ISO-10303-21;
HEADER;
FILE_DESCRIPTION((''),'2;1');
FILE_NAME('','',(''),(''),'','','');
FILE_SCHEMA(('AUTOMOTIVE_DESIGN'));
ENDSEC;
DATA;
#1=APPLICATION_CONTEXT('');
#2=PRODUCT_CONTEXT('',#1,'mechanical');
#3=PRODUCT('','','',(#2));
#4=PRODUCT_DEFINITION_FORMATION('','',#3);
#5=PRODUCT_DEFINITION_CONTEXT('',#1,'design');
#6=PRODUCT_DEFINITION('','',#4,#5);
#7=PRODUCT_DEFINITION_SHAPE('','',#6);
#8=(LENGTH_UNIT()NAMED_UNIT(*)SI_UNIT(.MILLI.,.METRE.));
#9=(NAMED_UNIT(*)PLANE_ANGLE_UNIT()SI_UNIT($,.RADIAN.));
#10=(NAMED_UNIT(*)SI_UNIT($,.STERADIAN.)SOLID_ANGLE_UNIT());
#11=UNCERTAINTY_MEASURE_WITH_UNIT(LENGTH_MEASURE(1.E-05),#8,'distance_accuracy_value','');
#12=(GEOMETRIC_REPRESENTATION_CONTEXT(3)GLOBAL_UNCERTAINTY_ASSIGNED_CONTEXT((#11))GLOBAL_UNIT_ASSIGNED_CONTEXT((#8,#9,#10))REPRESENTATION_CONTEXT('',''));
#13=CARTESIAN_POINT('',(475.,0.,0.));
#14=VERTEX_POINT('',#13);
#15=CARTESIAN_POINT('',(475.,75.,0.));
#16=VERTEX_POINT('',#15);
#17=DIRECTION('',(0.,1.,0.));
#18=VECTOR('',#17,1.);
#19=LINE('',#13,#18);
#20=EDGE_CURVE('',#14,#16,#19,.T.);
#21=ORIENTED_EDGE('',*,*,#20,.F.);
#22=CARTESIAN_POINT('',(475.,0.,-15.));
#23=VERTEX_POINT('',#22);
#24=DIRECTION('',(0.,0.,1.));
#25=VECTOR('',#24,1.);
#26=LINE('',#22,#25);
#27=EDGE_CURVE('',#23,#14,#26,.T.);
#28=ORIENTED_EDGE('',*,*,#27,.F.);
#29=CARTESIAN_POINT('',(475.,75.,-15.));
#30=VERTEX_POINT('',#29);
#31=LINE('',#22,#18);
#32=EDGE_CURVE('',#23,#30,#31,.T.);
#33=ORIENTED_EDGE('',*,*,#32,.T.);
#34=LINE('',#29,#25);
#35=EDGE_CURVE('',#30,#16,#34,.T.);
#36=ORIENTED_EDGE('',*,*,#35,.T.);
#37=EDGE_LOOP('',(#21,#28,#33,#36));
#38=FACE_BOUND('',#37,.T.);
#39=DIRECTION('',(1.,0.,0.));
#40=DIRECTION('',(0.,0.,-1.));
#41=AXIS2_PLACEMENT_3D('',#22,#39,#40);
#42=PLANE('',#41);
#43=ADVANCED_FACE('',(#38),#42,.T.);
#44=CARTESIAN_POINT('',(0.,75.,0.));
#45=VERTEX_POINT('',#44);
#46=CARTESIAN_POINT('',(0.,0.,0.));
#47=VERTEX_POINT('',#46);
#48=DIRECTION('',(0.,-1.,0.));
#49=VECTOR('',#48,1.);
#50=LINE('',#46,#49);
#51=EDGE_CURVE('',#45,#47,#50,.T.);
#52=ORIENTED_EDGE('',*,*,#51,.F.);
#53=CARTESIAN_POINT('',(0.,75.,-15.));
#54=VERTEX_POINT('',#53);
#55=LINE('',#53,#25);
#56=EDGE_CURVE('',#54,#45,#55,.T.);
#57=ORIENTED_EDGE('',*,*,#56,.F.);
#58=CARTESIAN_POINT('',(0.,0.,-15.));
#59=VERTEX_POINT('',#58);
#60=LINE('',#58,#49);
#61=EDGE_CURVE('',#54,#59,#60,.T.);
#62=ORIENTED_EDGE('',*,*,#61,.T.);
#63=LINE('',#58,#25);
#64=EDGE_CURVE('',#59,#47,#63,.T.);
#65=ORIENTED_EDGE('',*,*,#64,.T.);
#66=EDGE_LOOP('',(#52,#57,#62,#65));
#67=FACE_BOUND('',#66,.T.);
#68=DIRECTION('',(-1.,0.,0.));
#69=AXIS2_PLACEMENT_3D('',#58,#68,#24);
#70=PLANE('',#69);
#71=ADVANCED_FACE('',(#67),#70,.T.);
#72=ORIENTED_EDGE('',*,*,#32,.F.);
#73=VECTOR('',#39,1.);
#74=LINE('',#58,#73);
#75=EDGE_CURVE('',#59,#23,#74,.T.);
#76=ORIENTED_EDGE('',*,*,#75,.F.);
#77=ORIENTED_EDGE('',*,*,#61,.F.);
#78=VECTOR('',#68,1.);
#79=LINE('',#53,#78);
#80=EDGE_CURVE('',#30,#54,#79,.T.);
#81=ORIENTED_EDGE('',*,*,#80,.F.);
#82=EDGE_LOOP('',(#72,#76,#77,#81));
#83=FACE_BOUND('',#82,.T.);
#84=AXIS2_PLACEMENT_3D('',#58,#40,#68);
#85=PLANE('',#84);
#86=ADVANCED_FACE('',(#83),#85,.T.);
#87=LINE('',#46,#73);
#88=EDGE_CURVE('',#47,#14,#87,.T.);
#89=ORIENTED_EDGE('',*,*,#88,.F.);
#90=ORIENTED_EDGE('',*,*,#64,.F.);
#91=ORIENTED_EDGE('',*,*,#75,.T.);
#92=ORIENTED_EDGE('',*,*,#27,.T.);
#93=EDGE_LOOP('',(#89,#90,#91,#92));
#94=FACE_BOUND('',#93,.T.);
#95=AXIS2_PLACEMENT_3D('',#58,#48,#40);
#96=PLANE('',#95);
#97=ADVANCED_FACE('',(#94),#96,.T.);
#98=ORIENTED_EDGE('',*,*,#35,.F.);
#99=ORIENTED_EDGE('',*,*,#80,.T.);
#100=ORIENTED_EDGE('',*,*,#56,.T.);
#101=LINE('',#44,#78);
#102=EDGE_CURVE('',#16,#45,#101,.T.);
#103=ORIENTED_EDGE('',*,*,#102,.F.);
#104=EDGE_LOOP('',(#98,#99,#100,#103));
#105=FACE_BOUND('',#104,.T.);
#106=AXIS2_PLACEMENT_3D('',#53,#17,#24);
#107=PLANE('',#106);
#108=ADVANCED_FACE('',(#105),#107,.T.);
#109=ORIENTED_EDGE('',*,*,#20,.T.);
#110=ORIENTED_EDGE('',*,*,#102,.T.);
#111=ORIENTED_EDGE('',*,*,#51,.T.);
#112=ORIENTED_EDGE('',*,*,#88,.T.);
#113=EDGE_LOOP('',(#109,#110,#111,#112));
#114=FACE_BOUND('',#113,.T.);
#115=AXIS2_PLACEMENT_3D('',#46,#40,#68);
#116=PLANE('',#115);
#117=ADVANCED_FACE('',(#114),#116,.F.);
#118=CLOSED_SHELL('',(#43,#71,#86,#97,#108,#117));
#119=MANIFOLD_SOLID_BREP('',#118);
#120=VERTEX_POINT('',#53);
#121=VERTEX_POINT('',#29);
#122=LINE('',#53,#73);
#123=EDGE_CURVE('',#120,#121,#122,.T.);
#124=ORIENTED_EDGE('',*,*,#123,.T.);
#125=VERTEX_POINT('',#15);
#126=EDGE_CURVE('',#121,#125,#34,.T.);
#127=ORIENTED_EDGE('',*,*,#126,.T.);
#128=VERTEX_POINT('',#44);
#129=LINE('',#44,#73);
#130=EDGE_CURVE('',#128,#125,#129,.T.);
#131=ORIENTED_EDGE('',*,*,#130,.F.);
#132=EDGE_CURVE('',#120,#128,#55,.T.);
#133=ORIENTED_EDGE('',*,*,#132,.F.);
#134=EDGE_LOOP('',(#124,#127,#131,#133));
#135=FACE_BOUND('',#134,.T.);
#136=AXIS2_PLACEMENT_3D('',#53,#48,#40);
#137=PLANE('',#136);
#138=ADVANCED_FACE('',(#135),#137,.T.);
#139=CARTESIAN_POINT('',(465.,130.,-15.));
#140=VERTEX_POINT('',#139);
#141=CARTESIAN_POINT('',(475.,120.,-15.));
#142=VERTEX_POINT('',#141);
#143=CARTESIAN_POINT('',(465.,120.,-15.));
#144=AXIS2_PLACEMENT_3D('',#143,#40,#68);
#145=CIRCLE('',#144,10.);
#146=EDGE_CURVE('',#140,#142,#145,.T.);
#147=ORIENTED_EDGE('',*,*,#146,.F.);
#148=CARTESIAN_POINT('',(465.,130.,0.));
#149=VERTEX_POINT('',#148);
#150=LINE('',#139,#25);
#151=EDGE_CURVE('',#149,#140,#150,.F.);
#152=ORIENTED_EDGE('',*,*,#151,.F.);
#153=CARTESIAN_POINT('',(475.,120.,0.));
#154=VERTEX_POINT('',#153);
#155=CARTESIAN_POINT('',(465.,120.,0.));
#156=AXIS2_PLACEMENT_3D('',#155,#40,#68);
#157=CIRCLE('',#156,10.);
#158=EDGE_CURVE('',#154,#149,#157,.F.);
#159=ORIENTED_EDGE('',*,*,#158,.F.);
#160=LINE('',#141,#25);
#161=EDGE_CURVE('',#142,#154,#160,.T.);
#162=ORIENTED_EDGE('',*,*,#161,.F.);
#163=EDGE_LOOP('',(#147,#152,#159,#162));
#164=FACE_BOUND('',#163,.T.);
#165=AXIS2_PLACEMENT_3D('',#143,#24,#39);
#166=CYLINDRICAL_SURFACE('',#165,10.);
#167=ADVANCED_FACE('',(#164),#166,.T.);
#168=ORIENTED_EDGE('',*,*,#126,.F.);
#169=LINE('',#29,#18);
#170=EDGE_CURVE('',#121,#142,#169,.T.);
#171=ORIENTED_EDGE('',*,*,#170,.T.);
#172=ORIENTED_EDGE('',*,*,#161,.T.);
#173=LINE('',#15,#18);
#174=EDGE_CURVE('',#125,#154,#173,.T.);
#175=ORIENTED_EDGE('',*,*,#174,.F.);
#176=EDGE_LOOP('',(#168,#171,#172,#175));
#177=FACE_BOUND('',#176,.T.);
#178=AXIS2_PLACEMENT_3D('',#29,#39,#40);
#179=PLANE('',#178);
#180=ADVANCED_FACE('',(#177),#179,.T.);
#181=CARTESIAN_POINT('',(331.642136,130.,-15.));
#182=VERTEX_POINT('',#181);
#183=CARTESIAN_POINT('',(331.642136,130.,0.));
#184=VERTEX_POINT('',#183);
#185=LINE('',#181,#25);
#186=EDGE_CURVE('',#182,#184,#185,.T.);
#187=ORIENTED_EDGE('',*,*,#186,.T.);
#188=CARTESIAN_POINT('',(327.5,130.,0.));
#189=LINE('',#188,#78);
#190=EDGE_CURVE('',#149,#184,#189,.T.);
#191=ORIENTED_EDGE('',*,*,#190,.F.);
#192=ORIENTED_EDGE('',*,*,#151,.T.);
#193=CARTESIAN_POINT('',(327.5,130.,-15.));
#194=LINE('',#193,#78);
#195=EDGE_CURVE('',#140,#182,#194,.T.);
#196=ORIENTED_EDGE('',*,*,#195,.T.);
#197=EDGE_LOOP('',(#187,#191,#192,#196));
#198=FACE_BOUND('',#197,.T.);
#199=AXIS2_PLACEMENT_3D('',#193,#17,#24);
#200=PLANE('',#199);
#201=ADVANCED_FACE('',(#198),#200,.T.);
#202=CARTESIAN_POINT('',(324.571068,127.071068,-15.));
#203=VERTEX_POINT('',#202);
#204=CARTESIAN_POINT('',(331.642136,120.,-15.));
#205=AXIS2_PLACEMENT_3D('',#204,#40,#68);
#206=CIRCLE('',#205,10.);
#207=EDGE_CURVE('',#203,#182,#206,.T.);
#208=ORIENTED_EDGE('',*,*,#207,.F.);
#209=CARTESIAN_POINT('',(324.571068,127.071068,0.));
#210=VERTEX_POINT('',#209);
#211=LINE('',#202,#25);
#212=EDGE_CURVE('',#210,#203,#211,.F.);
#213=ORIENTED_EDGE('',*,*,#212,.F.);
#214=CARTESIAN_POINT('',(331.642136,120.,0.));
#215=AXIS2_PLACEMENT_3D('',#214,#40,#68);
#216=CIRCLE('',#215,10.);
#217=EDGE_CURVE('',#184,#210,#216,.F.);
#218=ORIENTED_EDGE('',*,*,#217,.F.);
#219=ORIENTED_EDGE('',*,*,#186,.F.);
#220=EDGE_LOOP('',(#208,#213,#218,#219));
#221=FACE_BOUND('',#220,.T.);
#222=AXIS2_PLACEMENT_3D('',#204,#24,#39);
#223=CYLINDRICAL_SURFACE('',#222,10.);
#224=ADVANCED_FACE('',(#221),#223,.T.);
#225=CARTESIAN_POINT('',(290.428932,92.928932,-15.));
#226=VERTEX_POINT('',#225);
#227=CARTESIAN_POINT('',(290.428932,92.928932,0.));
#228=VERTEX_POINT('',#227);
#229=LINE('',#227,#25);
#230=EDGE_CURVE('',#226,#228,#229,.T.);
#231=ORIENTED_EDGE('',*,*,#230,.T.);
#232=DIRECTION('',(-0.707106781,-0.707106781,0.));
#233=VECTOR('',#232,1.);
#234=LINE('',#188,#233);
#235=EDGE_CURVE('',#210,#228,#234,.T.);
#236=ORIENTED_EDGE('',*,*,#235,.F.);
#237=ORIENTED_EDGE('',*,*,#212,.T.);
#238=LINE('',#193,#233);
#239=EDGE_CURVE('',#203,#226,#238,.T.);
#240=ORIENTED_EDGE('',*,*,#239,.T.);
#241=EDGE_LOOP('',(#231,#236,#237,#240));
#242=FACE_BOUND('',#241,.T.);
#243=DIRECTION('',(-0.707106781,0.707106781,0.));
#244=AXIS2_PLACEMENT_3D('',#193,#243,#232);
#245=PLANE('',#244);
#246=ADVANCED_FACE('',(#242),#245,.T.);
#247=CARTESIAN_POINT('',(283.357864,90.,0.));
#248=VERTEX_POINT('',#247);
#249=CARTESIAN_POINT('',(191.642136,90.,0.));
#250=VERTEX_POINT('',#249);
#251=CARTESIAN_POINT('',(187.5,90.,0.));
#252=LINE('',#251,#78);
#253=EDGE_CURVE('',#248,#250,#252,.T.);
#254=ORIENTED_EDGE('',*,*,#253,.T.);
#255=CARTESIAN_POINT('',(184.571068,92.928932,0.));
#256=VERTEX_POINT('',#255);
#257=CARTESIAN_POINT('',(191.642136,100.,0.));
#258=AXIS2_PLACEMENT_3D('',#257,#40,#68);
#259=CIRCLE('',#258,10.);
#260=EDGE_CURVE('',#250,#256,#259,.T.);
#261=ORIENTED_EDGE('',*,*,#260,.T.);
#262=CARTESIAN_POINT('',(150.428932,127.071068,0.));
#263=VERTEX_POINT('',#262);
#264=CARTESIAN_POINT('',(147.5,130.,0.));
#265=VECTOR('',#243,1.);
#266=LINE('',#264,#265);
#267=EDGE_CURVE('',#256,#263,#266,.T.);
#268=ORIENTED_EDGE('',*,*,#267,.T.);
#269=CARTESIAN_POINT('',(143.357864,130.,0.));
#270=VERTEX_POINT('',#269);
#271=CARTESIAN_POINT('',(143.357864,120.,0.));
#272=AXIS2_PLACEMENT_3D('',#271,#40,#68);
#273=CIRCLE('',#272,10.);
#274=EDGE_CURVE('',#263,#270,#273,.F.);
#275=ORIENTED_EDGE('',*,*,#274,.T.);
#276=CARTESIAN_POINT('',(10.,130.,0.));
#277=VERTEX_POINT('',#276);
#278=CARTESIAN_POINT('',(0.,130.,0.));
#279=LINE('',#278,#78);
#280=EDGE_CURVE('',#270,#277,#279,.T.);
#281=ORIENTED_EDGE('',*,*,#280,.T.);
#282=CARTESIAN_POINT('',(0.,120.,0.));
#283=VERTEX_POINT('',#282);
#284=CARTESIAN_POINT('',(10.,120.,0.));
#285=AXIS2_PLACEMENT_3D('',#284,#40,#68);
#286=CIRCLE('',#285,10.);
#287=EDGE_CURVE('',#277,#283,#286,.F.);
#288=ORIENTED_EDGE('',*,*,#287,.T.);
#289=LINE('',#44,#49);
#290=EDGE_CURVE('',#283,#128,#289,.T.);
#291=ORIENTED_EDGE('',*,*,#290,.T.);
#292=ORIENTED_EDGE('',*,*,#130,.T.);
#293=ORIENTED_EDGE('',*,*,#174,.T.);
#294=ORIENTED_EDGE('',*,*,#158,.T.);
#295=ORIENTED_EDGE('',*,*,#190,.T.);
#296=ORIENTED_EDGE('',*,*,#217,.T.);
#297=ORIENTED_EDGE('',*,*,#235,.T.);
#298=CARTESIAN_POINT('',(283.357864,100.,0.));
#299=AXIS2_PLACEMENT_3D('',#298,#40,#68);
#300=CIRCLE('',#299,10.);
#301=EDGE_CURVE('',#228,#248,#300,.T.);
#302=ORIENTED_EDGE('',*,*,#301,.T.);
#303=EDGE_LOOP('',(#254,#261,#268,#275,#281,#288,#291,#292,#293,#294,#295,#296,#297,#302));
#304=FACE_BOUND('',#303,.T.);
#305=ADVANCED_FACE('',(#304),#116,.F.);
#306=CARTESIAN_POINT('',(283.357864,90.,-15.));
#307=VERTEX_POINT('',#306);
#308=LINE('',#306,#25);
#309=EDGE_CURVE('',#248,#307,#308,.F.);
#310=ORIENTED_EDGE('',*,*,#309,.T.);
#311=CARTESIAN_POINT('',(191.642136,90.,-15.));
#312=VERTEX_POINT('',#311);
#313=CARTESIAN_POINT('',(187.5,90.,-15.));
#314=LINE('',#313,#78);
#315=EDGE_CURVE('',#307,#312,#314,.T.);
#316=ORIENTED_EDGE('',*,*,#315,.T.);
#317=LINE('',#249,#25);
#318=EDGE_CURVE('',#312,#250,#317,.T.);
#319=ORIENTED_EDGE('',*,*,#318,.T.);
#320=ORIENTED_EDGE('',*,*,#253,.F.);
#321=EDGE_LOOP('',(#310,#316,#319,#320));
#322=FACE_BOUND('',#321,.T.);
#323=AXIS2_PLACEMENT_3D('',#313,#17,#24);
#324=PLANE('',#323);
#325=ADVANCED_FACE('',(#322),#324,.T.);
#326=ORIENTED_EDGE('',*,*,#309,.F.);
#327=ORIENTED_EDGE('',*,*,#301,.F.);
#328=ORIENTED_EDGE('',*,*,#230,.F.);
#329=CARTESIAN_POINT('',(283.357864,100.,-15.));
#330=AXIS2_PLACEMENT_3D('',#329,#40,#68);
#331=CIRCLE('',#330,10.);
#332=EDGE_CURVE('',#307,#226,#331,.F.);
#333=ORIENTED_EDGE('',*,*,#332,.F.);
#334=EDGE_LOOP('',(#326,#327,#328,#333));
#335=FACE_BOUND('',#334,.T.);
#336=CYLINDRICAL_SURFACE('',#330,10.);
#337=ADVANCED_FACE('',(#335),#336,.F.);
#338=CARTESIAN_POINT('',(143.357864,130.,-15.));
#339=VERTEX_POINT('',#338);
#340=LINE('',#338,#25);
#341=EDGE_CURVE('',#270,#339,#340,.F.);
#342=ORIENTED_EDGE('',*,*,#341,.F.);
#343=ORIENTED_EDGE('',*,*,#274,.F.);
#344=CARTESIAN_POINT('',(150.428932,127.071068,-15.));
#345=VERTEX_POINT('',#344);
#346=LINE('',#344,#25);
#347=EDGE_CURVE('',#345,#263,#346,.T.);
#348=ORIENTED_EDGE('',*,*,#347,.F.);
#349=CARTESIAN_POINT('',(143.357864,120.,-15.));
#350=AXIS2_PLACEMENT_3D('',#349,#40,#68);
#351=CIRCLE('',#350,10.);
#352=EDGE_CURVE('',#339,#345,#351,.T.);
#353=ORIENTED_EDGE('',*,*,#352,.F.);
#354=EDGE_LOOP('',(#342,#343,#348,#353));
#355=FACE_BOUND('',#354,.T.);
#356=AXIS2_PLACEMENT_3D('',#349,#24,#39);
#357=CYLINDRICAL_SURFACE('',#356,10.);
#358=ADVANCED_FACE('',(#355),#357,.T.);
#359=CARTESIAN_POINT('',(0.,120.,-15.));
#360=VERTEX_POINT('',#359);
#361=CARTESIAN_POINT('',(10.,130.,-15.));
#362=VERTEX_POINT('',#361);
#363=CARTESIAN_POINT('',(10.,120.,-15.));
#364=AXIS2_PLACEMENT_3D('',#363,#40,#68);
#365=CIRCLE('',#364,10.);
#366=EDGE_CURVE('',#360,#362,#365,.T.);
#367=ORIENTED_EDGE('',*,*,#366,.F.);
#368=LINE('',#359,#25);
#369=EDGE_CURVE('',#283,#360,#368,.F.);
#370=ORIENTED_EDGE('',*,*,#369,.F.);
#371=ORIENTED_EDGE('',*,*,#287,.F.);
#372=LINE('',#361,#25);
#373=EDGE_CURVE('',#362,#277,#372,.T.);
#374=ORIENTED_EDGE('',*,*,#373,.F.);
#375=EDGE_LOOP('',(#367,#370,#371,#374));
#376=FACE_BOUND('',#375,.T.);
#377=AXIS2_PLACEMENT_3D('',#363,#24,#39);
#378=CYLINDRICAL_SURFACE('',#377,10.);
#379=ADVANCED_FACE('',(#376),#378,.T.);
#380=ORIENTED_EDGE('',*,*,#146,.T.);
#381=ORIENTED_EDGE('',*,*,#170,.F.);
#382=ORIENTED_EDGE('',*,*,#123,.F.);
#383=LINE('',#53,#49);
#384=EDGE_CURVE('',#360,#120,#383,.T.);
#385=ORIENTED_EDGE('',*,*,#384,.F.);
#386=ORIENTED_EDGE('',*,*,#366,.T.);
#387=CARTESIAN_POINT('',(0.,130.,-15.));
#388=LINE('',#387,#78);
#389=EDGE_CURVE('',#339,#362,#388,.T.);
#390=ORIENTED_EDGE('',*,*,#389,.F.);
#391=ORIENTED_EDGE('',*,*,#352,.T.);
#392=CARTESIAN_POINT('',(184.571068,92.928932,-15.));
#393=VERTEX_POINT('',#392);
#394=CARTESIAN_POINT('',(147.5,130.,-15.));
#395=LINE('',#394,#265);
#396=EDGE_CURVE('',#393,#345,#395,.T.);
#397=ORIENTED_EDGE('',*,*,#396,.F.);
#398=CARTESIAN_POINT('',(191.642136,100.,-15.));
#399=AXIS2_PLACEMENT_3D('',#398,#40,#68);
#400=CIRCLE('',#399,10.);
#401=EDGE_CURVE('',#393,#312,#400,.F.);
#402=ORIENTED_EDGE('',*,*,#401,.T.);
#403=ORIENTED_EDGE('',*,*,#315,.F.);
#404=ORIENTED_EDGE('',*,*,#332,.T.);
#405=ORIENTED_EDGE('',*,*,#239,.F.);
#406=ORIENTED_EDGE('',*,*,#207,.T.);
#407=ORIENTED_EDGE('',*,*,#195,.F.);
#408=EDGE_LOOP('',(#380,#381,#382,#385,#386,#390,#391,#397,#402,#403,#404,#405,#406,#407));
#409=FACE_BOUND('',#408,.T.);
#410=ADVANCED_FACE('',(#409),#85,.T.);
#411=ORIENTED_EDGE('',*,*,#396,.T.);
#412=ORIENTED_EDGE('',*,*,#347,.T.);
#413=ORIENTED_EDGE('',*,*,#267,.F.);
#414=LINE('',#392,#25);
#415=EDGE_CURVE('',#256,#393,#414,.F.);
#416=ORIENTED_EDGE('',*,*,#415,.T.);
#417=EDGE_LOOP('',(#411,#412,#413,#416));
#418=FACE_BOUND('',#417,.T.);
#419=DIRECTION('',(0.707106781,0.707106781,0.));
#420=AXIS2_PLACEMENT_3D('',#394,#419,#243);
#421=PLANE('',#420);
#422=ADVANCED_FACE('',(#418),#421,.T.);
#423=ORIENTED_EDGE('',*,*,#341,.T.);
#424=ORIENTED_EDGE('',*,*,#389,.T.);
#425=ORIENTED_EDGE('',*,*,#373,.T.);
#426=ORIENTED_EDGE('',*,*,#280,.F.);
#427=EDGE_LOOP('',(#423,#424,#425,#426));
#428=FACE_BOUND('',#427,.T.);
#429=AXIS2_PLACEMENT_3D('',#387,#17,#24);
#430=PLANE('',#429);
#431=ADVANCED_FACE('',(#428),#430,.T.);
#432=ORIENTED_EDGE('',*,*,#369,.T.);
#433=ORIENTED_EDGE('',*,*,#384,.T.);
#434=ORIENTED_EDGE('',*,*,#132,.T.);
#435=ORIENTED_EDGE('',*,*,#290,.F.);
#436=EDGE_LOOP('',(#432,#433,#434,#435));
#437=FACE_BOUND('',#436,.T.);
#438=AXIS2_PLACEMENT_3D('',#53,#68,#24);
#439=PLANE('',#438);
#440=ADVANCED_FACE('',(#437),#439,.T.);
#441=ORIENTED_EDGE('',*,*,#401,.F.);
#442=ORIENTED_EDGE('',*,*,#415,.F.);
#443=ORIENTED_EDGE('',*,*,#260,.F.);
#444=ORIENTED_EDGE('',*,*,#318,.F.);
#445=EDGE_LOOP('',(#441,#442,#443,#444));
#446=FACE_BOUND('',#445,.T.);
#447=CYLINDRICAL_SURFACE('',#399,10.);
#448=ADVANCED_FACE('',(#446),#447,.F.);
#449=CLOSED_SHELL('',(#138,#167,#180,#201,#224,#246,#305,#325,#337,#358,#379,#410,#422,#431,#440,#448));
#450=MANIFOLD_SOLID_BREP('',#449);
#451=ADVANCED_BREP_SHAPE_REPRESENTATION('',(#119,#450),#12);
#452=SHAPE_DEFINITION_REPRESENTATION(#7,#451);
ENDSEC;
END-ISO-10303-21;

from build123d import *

# Parameters (mm, degrees)
SKETCH1_W           = 47.5
SKETCH1_H           = 7.5
BOSS_EXTRUDE1_DEPTH = 1.5
BOSS_EXTRUDE2_DEPTH = 1.5
FILLET1_R           = 1
SCALE1_SCALE        = 10


with BuildPart() as part:
    # Sketch1 → Boss-Extrude1 (new body)
    with BuildSketch(Plane.XY):
        with Locations((23.75, 3.75)):
            Rectangle(SKETCH1_W, SKETCH1_H)
    extrude(amount=-BOSS_EXTRUDE1_DEPTH)


with BuildPart() as body_2:
    # Sketch2 → Boss-Extrude2 (new body)
    with BuildSketch(Plane.XY):
        Polygon((0, 7.5), (47.5, 7.5), (47.5, 13), (32.75, 13), (28.75, 9), (18.75, 9), (14.75, 13), (0, 13), align=None)
    extrude(amount=-BOSS_EXTRUDE2_DEPTH)

    # Fillet1
    fillet1_edges = [body_2.edges().sort_by_distance(p)[0] for p in [
        (0, 13, -0.75),
        (14.75, 13, -0.75),
        (18.75, 9, -0.75),
        (28.75, 9, -0.75),
        (32.75, 13, -0.75),
        (47.5, 13, -0.75),
    ]]
    fillet(fillet1_edges, radius=FILLET1_R)


with BuildPart() as part_1:
    # Scale1: scaled about (0, 0, 0)
    add(part.part.scale(SCALE1_SCALE))


with BuildPart() as body_2_1:
    # Scale1: scaled about (0, 0, 0)
    add(body_2.part.scale(SCALE1_SCALE))


solid = Compound([part_1.part, body_2_1.part])
